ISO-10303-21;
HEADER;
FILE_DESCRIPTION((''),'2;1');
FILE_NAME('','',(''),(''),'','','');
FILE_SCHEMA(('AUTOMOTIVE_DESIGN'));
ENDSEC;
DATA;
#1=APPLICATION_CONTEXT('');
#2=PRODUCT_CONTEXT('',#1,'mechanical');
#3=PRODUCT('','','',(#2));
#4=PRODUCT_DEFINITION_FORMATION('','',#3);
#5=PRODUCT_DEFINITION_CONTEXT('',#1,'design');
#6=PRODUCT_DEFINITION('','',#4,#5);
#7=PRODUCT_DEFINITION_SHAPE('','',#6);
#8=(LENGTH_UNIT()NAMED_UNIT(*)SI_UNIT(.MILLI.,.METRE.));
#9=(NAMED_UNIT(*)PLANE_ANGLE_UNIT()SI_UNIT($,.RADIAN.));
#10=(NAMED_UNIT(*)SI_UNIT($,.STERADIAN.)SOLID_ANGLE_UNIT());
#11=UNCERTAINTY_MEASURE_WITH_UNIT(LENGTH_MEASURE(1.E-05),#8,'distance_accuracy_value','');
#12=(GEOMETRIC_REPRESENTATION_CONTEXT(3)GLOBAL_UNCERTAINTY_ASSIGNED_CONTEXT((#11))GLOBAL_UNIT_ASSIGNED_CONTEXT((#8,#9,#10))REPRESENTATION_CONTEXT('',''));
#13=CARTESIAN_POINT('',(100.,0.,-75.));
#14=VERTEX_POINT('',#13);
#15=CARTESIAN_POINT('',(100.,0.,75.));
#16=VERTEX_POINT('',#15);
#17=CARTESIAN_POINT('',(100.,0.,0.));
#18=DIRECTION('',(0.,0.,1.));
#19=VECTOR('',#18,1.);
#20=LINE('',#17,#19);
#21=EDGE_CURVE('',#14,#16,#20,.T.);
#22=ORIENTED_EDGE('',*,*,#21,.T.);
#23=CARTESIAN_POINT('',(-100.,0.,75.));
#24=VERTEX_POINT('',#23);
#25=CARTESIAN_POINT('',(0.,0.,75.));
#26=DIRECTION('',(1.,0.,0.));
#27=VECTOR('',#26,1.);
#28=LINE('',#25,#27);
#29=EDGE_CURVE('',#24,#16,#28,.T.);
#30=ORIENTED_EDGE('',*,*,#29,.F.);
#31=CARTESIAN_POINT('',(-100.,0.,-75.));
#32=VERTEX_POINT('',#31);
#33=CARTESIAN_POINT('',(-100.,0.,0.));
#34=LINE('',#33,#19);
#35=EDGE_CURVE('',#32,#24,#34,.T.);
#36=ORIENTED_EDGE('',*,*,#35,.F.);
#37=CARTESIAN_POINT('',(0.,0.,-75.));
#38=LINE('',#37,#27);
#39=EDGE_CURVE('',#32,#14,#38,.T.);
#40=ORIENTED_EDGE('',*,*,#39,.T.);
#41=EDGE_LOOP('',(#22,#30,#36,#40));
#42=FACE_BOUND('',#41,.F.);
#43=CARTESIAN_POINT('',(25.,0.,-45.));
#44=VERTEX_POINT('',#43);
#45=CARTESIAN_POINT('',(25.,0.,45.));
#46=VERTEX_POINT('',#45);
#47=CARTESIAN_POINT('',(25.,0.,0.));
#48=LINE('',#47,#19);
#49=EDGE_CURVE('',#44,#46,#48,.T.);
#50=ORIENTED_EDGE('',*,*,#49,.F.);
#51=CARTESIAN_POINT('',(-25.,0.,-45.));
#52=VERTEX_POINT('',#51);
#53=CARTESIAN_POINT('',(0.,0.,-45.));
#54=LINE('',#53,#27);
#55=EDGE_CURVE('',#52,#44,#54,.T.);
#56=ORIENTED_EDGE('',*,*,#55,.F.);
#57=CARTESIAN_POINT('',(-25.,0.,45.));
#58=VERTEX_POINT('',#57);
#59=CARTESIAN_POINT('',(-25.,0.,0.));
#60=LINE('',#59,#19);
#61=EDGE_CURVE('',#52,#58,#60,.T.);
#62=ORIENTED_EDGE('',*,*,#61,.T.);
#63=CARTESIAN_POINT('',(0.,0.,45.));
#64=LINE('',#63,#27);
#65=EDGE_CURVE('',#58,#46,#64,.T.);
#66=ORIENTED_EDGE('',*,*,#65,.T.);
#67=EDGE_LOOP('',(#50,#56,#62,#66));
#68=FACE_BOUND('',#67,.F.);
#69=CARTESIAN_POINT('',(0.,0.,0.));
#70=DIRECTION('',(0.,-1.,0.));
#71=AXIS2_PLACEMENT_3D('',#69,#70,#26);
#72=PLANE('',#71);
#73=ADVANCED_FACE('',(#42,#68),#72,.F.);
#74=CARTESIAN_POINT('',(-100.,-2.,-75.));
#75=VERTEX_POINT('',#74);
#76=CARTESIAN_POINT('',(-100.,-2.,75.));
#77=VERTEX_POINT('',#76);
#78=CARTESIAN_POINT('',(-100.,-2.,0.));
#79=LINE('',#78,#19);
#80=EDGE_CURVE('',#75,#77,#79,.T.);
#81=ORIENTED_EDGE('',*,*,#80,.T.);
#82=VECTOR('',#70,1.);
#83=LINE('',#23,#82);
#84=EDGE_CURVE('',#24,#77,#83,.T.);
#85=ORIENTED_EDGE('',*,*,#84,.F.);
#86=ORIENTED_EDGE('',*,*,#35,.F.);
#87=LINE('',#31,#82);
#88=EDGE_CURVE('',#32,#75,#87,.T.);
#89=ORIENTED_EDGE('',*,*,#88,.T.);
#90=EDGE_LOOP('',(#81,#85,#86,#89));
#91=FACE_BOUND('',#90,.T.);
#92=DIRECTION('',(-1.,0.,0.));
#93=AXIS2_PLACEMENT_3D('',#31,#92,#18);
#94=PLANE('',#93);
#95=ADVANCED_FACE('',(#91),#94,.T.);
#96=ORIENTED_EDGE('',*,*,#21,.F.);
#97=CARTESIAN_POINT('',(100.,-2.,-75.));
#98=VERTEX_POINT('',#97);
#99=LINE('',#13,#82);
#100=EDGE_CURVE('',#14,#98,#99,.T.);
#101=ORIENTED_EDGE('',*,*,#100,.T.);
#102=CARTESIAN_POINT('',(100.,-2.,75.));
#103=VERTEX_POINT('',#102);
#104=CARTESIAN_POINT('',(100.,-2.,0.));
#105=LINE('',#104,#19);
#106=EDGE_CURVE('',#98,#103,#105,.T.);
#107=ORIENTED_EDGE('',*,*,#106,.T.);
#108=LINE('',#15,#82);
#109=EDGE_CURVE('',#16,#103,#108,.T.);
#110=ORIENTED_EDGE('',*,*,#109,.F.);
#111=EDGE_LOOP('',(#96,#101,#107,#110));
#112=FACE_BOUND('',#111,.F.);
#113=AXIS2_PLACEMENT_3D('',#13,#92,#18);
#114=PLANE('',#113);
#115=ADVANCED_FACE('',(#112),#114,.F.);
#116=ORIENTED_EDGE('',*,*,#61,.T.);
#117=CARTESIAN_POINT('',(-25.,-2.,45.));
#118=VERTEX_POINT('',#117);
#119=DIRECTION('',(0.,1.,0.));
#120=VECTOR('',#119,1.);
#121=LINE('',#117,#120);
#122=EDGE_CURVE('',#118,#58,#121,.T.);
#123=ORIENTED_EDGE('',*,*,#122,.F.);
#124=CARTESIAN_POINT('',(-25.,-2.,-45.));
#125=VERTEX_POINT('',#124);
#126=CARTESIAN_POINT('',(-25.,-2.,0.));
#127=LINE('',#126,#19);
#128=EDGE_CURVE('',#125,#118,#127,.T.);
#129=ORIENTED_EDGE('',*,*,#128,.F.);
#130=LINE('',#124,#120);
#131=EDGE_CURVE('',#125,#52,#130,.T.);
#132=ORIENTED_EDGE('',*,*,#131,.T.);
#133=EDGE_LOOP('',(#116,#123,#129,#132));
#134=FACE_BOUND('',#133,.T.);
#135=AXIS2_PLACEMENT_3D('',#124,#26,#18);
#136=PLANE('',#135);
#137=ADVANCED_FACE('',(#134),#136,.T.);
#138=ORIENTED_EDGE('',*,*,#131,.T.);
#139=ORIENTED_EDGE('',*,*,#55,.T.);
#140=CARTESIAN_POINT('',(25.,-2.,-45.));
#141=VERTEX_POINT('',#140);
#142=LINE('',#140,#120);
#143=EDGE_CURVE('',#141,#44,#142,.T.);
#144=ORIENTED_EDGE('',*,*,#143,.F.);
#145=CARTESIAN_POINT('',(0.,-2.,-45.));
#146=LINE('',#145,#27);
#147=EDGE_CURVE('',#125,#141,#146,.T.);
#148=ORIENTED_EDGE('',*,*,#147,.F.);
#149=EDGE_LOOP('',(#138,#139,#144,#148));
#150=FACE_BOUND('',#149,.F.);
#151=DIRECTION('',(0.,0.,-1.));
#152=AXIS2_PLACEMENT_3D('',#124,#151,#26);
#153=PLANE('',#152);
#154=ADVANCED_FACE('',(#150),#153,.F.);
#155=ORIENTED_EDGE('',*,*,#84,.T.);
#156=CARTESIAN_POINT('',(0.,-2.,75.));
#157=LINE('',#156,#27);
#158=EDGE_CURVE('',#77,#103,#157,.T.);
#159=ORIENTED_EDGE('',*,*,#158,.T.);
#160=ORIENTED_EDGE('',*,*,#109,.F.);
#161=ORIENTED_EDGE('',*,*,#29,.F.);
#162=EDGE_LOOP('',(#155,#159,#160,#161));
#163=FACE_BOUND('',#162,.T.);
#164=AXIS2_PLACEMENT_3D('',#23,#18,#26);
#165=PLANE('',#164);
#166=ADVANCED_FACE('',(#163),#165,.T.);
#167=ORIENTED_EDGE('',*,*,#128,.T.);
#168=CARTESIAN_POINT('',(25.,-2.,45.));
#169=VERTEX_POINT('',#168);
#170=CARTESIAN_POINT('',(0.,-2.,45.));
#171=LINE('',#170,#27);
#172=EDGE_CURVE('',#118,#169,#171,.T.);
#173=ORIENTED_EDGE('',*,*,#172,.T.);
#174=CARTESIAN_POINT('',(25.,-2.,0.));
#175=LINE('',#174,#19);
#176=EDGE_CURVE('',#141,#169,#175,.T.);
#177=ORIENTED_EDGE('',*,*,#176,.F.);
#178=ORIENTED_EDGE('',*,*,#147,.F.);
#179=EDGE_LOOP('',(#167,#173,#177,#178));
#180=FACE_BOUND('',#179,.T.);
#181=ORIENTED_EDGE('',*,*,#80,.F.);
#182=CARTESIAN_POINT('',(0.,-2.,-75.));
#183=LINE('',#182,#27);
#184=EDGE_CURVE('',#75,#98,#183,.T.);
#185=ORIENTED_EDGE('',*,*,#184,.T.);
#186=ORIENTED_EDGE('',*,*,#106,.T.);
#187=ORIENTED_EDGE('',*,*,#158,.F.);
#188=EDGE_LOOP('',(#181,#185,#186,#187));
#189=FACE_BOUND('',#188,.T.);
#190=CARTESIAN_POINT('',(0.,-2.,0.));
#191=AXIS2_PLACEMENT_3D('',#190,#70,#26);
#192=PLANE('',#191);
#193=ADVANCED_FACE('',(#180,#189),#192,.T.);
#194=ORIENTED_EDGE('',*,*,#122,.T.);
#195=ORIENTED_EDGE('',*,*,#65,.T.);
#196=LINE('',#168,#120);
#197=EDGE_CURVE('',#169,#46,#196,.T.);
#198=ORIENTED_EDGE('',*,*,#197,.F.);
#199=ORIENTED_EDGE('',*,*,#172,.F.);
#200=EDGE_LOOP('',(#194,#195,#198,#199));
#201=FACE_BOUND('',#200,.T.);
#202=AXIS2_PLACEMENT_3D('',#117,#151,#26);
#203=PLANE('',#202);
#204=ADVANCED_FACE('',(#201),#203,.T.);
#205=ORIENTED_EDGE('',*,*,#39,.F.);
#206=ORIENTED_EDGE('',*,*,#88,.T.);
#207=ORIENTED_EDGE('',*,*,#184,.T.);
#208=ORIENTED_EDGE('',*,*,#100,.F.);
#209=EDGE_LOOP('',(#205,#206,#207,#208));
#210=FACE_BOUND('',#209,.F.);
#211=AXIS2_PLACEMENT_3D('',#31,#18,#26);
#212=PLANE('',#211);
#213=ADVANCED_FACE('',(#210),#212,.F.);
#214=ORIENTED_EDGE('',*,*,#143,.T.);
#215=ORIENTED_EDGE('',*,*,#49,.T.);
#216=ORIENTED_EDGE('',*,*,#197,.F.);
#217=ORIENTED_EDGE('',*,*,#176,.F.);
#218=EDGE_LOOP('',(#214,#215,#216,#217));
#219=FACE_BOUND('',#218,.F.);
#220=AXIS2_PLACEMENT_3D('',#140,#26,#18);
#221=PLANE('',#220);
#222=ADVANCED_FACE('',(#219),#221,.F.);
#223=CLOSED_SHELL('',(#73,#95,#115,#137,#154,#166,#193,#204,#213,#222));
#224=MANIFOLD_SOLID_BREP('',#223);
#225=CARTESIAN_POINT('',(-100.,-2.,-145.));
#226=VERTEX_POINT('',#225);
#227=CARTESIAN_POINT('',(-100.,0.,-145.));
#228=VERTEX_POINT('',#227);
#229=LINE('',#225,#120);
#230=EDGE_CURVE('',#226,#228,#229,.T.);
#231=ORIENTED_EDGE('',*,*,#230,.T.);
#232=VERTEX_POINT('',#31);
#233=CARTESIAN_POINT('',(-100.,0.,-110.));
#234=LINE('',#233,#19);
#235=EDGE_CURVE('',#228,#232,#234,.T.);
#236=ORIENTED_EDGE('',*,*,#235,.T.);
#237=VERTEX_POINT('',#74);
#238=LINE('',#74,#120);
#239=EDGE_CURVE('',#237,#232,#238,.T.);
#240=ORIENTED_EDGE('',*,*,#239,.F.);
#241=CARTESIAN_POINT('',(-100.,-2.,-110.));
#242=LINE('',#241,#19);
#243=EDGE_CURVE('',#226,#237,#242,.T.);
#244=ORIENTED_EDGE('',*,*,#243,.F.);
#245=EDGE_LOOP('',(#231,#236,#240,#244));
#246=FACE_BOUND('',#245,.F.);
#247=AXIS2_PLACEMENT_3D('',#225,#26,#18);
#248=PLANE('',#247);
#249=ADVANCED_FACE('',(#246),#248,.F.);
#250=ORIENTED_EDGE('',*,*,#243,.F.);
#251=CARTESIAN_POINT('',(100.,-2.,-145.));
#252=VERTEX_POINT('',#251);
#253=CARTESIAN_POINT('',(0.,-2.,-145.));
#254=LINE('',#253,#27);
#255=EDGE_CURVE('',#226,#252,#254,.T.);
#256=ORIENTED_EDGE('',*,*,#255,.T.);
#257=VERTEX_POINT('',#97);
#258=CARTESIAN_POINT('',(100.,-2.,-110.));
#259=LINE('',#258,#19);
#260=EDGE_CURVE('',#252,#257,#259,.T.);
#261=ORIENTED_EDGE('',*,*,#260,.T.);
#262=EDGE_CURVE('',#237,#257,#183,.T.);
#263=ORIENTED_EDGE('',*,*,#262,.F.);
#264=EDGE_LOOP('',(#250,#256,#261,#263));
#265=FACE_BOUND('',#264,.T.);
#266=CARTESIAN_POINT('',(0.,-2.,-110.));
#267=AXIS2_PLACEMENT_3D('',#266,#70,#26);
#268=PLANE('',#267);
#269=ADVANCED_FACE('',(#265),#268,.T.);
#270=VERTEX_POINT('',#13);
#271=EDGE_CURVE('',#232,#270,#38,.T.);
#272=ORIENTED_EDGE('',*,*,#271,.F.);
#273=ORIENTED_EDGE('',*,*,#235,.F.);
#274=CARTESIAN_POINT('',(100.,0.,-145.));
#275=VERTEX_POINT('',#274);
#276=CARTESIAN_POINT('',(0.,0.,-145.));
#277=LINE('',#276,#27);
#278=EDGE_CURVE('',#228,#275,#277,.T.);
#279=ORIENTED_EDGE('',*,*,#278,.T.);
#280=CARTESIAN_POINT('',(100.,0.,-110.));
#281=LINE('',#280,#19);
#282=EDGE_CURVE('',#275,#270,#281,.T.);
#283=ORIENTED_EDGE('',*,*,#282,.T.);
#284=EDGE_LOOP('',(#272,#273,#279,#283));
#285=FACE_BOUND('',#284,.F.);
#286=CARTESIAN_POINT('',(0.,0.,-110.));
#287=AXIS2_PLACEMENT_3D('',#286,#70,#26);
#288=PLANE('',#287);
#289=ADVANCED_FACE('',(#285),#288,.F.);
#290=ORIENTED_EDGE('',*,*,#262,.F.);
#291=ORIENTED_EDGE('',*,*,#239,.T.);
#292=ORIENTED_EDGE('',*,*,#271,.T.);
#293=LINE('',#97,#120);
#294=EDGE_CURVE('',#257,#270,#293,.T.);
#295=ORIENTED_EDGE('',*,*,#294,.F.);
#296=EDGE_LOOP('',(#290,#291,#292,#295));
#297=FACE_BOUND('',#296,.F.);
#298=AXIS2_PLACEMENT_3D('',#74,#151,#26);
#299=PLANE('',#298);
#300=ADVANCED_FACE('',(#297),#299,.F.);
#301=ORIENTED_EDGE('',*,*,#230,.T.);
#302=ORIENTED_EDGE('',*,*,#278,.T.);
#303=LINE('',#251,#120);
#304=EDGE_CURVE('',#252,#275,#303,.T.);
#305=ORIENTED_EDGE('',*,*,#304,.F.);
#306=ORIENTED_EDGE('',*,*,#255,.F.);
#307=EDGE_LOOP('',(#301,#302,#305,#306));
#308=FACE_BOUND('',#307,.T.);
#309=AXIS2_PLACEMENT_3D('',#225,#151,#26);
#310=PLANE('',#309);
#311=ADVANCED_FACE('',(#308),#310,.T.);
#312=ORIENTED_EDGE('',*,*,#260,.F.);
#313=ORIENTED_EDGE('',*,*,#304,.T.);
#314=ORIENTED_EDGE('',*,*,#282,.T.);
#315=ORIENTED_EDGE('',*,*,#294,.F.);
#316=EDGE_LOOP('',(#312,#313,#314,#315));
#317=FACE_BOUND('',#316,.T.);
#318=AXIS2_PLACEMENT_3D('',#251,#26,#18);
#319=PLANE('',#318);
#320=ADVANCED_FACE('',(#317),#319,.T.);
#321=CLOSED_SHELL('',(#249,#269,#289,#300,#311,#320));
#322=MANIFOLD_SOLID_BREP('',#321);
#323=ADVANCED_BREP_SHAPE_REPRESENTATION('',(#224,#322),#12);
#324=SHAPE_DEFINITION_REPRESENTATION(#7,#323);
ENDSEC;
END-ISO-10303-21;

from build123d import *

# Parameters (mm, degrees)
F0_W     = 200
F0_H     = 150
F1_DEPTH = 2
F2_W     = 50
F2_H     = 90
F3_DEPTH = 2
F4_W     = 200
F4_H     = 70
F5_DEPTH = 2


with BuildPart() as f1:
    # F0 (on Front) → F1 (new body)
    with BuildSketch(Plane.XZ):
        Rectangle(F0_W, F0_H)
    extrude(amount=F1_DEPTH)

    # F2 (on face) → F3 (cut)
    with BuildSketch(Plane.XZ.offset(2)):
        Rectangle(F2_W, F2_H)
    extrude(amount=-F3_DEPTH, mode=Mode.SUBTRACT)


with BuildPart() as f5:
    # F4 (on face) → F5 (new body)
    with BuildSketch(Plane.XZ.offset(2)):
        with Locations((0, -110)):
            Rectangle(F4_W, F4_H)
    extrude(amount=-F5_DEPTH)


solid = Compound([f1.part, f5.part])
